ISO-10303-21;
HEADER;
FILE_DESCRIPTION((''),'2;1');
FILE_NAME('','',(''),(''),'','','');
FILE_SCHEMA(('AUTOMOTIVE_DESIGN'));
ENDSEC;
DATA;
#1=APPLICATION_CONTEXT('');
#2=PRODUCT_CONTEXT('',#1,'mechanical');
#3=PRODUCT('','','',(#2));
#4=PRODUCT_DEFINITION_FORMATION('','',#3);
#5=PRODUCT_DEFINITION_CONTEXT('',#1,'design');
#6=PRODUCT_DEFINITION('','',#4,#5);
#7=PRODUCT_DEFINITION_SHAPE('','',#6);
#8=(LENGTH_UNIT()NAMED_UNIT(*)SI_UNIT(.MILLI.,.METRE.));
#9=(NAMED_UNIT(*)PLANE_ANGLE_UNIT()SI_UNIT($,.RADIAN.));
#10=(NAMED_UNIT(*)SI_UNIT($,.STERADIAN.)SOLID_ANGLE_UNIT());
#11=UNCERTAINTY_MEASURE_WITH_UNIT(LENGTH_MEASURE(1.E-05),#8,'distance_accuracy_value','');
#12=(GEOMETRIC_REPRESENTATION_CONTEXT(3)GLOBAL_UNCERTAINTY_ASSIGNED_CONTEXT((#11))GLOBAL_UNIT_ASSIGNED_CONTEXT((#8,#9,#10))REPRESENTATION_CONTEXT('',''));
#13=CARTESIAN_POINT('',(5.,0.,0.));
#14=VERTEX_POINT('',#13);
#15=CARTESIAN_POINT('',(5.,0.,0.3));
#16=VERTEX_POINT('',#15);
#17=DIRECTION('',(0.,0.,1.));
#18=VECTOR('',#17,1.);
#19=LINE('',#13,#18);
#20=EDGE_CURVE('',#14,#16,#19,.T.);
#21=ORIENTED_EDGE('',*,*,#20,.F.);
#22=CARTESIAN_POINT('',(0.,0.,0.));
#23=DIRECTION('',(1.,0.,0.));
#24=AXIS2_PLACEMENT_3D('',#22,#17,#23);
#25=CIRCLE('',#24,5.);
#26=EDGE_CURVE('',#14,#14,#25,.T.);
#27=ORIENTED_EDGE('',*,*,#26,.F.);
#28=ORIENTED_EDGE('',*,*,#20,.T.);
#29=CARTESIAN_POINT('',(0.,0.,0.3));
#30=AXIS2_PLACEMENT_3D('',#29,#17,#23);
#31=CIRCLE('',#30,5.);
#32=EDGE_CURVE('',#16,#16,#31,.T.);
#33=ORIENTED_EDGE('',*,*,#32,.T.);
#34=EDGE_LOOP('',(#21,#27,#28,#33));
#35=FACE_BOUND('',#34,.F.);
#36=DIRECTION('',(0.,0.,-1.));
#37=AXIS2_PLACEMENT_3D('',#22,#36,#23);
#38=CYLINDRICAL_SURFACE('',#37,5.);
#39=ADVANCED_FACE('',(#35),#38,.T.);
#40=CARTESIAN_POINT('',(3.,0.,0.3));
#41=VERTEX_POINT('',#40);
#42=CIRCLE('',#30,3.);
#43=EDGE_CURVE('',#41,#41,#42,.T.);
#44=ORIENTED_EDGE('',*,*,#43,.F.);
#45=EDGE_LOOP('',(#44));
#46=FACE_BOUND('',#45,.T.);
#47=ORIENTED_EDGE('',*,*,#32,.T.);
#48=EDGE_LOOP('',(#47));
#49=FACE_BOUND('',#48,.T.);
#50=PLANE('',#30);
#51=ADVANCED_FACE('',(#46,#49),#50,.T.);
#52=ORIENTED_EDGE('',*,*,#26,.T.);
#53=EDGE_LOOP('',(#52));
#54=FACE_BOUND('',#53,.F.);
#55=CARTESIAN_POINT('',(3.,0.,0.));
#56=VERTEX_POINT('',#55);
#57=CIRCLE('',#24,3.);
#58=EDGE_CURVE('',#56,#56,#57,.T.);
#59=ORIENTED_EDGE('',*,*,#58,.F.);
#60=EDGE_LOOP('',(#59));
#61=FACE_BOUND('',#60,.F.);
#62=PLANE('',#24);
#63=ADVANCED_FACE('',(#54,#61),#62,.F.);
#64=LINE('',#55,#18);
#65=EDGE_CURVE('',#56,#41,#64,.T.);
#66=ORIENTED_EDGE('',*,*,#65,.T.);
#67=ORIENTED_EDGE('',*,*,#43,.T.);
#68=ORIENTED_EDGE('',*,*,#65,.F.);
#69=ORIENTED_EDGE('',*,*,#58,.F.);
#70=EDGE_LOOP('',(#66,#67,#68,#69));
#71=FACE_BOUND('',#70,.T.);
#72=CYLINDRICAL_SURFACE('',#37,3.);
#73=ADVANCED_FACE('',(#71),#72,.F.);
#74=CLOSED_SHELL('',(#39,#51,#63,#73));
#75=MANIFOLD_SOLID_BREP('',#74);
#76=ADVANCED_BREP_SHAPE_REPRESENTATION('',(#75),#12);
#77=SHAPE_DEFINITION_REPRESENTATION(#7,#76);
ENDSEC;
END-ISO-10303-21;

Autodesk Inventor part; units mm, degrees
ref_plane "YZ Plane" through (0, 0, 0) normal (1, 0, 0) x (0, 1, 0)
ref_plane "XZ Plane" through (0, 0, 0) normal (0, 1, 0) x (-1, 0, 0)
ref_plane "XY Plane" through (0, 0, 0) normal (0, 0, 1) x (1, 0, 0)
sketch "スケッチ1" plane through (0, 0, 0) normal (0, 0, 1) x (1, 0, 0)
  circle A0 centre (0, 0) radius 3
  circle A1 centre (0, 0) radius 5
  dimension "d0" = 6
  dimension "d1" = 10
extrude "押し出し1" add sketch "スケッチ1" along normal blind 0.3
properties part number "ワッシャD10d6m0.3" material "真鍮"
